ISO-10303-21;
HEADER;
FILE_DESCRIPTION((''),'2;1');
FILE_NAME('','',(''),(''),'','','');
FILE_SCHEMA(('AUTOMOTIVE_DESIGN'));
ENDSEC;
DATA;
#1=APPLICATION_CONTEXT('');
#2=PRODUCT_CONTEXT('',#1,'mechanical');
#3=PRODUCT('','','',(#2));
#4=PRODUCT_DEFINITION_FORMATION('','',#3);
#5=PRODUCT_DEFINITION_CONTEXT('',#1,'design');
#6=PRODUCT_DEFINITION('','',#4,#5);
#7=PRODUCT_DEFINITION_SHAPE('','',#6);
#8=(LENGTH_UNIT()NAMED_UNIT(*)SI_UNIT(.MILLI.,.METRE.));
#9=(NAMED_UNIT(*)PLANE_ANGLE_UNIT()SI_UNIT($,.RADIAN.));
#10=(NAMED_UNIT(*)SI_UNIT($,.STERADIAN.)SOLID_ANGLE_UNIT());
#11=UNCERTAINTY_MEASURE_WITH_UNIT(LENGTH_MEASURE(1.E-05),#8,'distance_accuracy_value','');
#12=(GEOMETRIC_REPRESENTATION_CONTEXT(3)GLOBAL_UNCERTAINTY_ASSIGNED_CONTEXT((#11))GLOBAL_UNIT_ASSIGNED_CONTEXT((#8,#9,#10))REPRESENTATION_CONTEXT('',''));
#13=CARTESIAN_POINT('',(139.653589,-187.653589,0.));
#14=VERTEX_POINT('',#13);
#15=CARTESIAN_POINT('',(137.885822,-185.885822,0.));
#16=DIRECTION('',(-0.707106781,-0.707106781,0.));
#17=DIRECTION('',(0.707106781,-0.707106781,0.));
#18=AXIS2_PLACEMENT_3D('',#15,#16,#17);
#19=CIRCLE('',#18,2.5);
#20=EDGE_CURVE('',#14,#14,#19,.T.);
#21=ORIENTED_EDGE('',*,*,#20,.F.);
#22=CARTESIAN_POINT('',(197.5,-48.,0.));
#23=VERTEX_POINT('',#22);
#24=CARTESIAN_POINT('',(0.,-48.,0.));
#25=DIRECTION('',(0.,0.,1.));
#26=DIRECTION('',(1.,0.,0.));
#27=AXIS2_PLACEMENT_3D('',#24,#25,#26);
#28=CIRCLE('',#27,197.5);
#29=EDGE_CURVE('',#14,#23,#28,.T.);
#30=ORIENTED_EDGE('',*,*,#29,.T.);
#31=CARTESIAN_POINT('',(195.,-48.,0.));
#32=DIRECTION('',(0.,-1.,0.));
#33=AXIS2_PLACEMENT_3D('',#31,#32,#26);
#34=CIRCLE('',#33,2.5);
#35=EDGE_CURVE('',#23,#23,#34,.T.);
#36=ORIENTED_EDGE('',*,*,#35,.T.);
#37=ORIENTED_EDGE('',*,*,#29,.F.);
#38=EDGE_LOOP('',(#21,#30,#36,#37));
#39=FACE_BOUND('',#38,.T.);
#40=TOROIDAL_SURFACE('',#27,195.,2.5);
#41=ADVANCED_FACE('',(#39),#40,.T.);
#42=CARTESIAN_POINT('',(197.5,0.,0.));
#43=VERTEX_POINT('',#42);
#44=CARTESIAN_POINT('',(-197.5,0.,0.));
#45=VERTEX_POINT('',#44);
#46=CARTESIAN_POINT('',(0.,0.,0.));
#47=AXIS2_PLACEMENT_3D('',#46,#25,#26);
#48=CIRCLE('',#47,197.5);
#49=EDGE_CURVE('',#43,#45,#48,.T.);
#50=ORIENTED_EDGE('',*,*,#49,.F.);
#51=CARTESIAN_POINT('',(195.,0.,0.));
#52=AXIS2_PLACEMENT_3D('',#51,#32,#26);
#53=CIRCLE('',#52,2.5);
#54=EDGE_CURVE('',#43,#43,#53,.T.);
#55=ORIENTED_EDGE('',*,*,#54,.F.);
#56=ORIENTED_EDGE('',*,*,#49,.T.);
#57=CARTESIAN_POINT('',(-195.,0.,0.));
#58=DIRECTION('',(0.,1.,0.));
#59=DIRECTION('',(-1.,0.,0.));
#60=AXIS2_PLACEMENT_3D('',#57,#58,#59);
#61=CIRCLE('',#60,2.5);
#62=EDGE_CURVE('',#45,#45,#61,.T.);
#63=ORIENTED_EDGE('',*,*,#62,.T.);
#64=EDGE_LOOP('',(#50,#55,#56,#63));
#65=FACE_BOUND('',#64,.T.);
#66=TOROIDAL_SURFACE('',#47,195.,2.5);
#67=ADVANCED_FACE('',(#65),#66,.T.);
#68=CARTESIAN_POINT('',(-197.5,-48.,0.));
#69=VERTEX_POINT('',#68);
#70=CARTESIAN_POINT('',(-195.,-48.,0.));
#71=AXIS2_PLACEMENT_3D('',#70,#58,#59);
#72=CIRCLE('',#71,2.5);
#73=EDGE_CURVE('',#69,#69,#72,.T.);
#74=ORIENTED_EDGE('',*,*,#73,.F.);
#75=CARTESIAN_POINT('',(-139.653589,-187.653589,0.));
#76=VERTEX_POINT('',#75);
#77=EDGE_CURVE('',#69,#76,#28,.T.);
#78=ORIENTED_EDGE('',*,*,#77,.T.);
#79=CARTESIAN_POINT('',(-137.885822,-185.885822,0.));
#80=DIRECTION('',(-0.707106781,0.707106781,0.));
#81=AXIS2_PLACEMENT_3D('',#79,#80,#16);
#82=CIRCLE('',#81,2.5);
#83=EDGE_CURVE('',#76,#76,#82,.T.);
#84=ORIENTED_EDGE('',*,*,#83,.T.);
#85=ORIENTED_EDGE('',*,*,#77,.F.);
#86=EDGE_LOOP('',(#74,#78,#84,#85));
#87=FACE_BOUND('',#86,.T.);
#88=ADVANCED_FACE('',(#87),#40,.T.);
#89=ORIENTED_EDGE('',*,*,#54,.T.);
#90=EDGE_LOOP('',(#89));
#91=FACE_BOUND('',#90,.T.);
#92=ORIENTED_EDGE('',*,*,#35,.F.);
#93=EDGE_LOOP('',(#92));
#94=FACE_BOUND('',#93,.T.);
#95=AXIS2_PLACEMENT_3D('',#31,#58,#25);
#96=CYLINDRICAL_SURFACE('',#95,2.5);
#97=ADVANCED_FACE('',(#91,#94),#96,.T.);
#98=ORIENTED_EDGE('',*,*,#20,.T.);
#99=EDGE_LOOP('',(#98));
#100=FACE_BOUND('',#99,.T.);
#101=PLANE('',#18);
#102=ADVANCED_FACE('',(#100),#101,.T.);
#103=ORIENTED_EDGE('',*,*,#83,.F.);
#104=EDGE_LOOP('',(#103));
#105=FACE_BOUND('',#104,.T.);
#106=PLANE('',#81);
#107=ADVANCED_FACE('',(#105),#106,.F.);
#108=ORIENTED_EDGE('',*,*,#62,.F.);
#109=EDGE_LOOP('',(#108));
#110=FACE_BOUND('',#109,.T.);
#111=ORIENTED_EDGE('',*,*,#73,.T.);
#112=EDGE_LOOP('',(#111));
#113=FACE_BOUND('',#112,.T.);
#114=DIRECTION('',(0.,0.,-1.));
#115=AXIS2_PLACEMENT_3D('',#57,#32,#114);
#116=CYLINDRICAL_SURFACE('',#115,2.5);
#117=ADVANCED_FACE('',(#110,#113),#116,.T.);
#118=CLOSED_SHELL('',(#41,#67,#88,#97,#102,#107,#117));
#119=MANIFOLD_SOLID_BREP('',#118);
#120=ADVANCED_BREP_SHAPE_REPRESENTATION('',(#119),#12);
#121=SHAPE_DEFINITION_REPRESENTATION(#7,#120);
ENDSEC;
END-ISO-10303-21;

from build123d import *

# Parameters (mm, degrees)
SWEEP1_PROFILE_R = 2.5


with BuildPart() as part:
    # Sweep1: sweep along a path in Sketch10
    with BuildLine(Plane.XY) as sweep1_path:
        ThreePointArc((-137.885822331, -185.885822331), (-180.15650884, -122.623269311), (-195, -48))
        Line((-195, -48), (-195, 0))
        ThreePointArc((-195, 0), (0, 195), (195, 0))
        Line((195, 0), (195, -48))
        ThreePointArc((195, -48), (180.15650884, -122.623269311), (137.885822331, -185.885822331))
    # Sweep1 profile (on start of the path) → Sweep1 (sweep)
    with BuildSketch(Plane(origin=(-137.885822331, -185.885822331, 0), x_dir=(0.7071067811865517, 0.7071067811865435, 0), z_dir=(-0.7071067811865435, 0.7071067811865517, 0))):
        Circle(SWEEP1_PROFILE_R)
    sweep(path=sweep1_path.line)


solid = part.part
